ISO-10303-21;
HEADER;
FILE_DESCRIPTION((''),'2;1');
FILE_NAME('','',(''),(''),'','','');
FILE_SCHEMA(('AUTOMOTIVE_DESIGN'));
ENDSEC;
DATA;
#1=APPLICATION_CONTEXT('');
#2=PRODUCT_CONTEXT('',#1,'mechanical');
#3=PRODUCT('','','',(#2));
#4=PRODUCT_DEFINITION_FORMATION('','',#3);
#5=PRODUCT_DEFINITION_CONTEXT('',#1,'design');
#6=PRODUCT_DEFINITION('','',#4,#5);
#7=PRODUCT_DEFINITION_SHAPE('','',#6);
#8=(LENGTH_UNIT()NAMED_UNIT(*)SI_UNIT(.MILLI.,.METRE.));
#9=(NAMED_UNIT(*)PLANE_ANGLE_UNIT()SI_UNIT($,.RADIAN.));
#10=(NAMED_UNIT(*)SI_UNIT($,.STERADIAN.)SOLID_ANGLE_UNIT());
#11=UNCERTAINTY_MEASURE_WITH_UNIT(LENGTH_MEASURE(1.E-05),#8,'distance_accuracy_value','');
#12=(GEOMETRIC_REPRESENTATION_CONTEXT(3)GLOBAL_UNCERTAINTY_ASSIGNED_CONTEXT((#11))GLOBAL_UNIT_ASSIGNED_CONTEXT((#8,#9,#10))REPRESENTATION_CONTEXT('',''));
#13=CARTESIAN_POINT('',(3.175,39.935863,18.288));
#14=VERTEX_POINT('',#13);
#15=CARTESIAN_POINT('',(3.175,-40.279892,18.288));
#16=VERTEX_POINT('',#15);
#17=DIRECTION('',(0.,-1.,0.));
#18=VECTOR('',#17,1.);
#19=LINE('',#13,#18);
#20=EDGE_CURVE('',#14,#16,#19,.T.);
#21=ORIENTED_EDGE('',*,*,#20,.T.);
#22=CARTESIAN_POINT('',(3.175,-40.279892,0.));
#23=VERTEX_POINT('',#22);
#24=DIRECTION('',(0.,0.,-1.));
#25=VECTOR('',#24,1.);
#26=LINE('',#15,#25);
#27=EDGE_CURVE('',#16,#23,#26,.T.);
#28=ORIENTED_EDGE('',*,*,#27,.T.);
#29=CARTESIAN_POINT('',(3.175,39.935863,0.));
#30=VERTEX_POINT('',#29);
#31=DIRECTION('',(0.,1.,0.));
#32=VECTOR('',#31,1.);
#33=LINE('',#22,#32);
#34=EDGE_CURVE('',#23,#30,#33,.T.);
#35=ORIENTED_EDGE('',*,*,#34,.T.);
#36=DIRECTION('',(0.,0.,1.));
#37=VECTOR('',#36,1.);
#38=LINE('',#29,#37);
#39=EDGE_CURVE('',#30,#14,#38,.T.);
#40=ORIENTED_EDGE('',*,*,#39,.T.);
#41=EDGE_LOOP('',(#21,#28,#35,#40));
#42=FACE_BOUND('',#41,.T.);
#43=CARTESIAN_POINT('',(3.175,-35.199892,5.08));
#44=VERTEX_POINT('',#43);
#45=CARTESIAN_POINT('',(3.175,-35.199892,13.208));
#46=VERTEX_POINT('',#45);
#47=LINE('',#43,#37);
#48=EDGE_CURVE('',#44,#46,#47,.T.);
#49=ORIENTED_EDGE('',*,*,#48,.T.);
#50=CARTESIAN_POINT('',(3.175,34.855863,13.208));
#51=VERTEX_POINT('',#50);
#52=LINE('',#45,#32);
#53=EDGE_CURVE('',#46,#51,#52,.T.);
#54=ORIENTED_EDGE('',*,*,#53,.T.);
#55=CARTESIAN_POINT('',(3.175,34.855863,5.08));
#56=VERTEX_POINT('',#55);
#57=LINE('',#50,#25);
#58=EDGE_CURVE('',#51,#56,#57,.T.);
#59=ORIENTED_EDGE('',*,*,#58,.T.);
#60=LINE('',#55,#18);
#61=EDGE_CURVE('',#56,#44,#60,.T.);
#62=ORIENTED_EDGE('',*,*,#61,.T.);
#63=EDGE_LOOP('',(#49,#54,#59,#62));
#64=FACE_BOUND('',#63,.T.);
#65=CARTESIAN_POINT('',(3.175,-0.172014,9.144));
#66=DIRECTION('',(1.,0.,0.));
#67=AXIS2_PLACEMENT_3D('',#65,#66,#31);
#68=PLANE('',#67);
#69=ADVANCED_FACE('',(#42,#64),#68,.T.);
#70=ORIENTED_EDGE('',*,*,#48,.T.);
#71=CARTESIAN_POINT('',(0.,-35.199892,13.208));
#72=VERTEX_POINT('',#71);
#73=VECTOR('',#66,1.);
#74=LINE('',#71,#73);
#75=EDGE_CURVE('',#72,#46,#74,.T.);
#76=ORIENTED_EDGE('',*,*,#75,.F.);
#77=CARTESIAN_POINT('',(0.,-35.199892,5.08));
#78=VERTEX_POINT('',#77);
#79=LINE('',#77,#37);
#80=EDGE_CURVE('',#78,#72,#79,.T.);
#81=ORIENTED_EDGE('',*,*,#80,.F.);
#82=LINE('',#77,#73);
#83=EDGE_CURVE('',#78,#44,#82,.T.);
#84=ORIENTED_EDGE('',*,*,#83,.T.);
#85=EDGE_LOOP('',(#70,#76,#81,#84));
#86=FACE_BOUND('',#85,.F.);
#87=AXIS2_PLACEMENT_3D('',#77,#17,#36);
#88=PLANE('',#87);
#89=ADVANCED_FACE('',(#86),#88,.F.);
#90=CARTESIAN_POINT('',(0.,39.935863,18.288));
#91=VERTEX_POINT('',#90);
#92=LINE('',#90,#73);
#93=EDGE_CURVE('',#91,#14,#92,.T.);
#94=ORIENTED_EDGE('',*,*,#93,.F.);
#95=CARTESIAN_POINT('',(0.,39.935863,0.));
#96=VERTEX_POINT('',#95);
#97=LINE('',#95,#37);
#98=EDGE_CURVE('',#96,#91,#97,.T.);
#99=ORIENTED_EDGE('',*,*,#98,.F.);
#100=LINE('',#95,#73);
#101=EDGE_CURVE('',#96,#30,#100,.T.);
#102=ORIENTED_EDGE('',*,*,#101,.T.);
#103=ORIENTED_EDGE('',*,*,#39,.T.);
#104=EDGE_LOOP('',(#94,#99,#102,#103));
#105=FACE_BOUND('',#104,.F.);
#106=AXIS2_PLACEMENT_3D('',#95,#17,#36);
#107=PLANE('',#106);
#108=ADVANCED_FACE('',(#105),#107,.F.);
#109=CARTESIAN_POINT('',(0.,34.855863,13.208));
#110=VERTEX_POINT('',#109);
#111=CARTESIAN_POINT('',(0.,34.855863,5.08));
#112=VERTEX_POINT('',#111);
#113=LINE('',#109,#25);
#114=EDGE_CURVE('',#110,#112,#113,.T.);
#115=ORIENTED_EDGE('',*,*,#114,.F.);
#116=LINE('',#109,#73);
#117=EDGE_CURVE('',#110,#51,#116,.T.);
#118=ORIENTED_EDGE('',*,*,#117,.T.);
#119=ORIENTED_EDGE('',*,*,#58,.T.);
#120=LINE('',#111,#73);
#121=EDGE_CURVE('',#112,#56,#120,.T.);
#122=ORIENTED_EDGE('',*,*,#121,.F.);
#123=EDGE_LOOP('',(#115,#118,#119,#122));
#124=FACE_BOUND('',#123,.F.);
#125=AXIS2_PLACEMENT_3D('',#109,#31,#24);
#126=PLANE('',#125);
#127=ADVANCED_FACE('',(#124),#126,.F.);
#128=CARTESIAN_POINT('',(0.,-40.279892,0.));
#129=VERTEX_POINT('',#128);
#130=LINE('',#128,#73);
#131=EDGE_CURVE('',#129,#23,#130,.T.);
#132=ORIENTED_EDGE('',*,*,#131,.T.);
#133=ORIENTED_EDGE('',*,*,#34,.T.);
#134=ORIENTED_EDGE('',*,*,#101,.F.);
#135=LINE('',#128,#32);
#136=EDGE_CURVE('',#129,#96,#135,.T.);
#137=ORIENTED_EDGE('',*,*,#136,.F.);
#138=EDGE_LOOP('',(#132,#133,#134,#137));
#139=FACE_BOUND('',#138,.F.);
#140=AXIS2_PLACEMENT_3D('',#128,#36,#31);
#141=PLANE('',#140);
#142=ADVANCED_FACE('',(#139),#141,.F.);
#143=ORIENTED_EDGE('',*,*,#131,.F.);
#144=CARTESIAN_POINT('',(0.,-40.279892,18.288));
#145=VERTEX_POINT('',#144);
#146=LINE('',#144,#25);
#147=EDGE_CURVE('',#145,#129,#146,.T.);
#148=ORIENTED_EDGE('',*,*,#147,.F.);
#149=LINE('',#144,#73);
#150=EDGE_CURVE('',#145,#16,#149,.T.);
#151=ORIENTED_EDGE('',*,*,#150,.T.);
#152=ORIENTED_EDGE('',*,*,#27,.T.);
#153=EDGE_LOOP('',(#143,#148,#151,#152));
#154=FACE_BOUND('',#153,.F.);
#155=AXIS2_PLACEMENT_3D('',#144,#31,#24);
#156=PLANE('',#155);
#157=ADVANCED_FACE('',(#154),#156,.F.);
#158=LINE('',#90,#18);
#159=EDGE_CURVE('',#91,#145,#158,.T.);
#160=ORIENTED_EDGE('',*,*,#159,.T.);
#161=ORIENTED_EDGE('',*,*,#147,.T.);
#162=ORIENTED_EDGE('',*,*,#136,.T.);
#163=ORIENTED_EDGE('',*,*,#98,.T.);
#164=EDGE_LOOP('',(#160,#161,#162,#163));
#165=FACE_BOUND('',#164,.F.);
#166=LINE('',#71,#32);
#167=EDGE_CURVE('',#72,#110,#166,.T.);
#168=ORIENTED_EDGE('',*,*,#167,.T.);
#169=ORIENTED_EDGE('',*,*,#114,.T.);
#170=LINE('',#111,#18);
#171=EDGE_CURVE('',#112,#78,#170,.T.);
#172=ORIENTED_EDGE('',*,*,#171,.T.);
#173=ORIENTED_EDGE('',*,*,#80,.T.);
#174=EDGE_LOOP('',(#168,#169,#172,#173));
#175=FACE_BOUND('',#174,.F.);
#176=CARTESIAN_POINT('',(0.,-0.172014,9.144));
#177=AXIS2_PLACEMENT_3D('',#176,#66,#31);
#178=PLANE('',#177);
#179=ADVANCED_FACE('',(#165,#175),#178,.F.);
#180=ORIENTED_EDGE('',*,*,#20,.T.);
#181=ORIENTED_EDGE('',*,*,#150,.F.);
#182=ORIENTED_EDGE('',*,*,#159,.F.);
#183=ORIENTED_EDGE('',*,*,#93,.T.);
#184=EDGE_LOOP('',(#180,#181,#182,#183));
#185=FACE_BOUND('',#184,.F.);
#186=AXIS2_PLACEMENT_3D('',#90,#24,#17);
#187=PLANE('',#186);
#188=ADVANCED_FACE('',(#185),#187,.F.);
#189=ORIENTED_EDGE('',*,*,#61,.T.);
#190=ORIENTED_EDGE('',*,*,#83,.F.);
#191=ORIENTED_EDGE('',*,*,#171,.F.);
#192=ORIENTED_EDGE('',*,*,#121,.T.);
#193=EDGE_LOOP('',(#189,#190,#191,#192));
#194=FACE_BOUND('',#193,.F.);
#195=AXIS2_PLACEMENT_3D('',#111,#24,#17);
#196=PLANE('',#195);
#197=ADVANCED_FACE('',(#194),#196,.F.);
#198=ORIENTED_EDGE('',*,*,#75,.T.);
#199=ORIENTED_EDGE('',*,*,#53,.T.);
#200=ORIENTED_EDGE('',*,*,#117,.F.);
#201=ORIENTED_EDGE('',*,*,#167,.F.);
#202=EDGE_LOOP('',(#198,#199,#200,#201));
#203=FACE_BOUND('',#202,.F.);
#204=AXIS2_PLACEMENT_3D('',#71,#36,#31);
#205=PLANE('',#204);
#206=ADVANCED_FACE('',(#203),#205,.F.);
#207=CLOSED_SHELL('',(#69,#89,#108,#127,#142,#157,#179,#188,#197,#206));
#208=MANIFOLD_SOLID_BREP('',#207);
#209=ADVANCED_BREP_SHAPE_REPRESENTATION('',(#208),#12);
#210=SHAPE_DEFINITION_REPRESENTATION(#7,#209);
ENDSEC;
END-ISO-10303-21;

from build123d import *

# Parameters (mm, degrees)
F1_DEPTH = 3.175


with BuildPart() as f1:
    # F0 (on Right) → F1 (new body)
    with BuildSketch(Plane.YZ):
        Polygon((-40.279892, 18.288), (-40.279892, 0), (-1.5875, 0), (1.5875, 0), (39.935863, 0), (39.935863, 18.288), (1.5875, 18.288), (-1.5875, 18.288), align=None)
        Polygon((-1.5875, 5.08), (-35.199892, 5.08), (-35.199892, 13.208), (-1.5875, 13.208), (1.5875, 13.208), (34.855863, 13.208), (34.855863, 5.08), (1.5875, 5.08), align=None, mode=Mode.SUBTRACT)
    extrude(amount=F1_DEPTH)


solid = f1.part
